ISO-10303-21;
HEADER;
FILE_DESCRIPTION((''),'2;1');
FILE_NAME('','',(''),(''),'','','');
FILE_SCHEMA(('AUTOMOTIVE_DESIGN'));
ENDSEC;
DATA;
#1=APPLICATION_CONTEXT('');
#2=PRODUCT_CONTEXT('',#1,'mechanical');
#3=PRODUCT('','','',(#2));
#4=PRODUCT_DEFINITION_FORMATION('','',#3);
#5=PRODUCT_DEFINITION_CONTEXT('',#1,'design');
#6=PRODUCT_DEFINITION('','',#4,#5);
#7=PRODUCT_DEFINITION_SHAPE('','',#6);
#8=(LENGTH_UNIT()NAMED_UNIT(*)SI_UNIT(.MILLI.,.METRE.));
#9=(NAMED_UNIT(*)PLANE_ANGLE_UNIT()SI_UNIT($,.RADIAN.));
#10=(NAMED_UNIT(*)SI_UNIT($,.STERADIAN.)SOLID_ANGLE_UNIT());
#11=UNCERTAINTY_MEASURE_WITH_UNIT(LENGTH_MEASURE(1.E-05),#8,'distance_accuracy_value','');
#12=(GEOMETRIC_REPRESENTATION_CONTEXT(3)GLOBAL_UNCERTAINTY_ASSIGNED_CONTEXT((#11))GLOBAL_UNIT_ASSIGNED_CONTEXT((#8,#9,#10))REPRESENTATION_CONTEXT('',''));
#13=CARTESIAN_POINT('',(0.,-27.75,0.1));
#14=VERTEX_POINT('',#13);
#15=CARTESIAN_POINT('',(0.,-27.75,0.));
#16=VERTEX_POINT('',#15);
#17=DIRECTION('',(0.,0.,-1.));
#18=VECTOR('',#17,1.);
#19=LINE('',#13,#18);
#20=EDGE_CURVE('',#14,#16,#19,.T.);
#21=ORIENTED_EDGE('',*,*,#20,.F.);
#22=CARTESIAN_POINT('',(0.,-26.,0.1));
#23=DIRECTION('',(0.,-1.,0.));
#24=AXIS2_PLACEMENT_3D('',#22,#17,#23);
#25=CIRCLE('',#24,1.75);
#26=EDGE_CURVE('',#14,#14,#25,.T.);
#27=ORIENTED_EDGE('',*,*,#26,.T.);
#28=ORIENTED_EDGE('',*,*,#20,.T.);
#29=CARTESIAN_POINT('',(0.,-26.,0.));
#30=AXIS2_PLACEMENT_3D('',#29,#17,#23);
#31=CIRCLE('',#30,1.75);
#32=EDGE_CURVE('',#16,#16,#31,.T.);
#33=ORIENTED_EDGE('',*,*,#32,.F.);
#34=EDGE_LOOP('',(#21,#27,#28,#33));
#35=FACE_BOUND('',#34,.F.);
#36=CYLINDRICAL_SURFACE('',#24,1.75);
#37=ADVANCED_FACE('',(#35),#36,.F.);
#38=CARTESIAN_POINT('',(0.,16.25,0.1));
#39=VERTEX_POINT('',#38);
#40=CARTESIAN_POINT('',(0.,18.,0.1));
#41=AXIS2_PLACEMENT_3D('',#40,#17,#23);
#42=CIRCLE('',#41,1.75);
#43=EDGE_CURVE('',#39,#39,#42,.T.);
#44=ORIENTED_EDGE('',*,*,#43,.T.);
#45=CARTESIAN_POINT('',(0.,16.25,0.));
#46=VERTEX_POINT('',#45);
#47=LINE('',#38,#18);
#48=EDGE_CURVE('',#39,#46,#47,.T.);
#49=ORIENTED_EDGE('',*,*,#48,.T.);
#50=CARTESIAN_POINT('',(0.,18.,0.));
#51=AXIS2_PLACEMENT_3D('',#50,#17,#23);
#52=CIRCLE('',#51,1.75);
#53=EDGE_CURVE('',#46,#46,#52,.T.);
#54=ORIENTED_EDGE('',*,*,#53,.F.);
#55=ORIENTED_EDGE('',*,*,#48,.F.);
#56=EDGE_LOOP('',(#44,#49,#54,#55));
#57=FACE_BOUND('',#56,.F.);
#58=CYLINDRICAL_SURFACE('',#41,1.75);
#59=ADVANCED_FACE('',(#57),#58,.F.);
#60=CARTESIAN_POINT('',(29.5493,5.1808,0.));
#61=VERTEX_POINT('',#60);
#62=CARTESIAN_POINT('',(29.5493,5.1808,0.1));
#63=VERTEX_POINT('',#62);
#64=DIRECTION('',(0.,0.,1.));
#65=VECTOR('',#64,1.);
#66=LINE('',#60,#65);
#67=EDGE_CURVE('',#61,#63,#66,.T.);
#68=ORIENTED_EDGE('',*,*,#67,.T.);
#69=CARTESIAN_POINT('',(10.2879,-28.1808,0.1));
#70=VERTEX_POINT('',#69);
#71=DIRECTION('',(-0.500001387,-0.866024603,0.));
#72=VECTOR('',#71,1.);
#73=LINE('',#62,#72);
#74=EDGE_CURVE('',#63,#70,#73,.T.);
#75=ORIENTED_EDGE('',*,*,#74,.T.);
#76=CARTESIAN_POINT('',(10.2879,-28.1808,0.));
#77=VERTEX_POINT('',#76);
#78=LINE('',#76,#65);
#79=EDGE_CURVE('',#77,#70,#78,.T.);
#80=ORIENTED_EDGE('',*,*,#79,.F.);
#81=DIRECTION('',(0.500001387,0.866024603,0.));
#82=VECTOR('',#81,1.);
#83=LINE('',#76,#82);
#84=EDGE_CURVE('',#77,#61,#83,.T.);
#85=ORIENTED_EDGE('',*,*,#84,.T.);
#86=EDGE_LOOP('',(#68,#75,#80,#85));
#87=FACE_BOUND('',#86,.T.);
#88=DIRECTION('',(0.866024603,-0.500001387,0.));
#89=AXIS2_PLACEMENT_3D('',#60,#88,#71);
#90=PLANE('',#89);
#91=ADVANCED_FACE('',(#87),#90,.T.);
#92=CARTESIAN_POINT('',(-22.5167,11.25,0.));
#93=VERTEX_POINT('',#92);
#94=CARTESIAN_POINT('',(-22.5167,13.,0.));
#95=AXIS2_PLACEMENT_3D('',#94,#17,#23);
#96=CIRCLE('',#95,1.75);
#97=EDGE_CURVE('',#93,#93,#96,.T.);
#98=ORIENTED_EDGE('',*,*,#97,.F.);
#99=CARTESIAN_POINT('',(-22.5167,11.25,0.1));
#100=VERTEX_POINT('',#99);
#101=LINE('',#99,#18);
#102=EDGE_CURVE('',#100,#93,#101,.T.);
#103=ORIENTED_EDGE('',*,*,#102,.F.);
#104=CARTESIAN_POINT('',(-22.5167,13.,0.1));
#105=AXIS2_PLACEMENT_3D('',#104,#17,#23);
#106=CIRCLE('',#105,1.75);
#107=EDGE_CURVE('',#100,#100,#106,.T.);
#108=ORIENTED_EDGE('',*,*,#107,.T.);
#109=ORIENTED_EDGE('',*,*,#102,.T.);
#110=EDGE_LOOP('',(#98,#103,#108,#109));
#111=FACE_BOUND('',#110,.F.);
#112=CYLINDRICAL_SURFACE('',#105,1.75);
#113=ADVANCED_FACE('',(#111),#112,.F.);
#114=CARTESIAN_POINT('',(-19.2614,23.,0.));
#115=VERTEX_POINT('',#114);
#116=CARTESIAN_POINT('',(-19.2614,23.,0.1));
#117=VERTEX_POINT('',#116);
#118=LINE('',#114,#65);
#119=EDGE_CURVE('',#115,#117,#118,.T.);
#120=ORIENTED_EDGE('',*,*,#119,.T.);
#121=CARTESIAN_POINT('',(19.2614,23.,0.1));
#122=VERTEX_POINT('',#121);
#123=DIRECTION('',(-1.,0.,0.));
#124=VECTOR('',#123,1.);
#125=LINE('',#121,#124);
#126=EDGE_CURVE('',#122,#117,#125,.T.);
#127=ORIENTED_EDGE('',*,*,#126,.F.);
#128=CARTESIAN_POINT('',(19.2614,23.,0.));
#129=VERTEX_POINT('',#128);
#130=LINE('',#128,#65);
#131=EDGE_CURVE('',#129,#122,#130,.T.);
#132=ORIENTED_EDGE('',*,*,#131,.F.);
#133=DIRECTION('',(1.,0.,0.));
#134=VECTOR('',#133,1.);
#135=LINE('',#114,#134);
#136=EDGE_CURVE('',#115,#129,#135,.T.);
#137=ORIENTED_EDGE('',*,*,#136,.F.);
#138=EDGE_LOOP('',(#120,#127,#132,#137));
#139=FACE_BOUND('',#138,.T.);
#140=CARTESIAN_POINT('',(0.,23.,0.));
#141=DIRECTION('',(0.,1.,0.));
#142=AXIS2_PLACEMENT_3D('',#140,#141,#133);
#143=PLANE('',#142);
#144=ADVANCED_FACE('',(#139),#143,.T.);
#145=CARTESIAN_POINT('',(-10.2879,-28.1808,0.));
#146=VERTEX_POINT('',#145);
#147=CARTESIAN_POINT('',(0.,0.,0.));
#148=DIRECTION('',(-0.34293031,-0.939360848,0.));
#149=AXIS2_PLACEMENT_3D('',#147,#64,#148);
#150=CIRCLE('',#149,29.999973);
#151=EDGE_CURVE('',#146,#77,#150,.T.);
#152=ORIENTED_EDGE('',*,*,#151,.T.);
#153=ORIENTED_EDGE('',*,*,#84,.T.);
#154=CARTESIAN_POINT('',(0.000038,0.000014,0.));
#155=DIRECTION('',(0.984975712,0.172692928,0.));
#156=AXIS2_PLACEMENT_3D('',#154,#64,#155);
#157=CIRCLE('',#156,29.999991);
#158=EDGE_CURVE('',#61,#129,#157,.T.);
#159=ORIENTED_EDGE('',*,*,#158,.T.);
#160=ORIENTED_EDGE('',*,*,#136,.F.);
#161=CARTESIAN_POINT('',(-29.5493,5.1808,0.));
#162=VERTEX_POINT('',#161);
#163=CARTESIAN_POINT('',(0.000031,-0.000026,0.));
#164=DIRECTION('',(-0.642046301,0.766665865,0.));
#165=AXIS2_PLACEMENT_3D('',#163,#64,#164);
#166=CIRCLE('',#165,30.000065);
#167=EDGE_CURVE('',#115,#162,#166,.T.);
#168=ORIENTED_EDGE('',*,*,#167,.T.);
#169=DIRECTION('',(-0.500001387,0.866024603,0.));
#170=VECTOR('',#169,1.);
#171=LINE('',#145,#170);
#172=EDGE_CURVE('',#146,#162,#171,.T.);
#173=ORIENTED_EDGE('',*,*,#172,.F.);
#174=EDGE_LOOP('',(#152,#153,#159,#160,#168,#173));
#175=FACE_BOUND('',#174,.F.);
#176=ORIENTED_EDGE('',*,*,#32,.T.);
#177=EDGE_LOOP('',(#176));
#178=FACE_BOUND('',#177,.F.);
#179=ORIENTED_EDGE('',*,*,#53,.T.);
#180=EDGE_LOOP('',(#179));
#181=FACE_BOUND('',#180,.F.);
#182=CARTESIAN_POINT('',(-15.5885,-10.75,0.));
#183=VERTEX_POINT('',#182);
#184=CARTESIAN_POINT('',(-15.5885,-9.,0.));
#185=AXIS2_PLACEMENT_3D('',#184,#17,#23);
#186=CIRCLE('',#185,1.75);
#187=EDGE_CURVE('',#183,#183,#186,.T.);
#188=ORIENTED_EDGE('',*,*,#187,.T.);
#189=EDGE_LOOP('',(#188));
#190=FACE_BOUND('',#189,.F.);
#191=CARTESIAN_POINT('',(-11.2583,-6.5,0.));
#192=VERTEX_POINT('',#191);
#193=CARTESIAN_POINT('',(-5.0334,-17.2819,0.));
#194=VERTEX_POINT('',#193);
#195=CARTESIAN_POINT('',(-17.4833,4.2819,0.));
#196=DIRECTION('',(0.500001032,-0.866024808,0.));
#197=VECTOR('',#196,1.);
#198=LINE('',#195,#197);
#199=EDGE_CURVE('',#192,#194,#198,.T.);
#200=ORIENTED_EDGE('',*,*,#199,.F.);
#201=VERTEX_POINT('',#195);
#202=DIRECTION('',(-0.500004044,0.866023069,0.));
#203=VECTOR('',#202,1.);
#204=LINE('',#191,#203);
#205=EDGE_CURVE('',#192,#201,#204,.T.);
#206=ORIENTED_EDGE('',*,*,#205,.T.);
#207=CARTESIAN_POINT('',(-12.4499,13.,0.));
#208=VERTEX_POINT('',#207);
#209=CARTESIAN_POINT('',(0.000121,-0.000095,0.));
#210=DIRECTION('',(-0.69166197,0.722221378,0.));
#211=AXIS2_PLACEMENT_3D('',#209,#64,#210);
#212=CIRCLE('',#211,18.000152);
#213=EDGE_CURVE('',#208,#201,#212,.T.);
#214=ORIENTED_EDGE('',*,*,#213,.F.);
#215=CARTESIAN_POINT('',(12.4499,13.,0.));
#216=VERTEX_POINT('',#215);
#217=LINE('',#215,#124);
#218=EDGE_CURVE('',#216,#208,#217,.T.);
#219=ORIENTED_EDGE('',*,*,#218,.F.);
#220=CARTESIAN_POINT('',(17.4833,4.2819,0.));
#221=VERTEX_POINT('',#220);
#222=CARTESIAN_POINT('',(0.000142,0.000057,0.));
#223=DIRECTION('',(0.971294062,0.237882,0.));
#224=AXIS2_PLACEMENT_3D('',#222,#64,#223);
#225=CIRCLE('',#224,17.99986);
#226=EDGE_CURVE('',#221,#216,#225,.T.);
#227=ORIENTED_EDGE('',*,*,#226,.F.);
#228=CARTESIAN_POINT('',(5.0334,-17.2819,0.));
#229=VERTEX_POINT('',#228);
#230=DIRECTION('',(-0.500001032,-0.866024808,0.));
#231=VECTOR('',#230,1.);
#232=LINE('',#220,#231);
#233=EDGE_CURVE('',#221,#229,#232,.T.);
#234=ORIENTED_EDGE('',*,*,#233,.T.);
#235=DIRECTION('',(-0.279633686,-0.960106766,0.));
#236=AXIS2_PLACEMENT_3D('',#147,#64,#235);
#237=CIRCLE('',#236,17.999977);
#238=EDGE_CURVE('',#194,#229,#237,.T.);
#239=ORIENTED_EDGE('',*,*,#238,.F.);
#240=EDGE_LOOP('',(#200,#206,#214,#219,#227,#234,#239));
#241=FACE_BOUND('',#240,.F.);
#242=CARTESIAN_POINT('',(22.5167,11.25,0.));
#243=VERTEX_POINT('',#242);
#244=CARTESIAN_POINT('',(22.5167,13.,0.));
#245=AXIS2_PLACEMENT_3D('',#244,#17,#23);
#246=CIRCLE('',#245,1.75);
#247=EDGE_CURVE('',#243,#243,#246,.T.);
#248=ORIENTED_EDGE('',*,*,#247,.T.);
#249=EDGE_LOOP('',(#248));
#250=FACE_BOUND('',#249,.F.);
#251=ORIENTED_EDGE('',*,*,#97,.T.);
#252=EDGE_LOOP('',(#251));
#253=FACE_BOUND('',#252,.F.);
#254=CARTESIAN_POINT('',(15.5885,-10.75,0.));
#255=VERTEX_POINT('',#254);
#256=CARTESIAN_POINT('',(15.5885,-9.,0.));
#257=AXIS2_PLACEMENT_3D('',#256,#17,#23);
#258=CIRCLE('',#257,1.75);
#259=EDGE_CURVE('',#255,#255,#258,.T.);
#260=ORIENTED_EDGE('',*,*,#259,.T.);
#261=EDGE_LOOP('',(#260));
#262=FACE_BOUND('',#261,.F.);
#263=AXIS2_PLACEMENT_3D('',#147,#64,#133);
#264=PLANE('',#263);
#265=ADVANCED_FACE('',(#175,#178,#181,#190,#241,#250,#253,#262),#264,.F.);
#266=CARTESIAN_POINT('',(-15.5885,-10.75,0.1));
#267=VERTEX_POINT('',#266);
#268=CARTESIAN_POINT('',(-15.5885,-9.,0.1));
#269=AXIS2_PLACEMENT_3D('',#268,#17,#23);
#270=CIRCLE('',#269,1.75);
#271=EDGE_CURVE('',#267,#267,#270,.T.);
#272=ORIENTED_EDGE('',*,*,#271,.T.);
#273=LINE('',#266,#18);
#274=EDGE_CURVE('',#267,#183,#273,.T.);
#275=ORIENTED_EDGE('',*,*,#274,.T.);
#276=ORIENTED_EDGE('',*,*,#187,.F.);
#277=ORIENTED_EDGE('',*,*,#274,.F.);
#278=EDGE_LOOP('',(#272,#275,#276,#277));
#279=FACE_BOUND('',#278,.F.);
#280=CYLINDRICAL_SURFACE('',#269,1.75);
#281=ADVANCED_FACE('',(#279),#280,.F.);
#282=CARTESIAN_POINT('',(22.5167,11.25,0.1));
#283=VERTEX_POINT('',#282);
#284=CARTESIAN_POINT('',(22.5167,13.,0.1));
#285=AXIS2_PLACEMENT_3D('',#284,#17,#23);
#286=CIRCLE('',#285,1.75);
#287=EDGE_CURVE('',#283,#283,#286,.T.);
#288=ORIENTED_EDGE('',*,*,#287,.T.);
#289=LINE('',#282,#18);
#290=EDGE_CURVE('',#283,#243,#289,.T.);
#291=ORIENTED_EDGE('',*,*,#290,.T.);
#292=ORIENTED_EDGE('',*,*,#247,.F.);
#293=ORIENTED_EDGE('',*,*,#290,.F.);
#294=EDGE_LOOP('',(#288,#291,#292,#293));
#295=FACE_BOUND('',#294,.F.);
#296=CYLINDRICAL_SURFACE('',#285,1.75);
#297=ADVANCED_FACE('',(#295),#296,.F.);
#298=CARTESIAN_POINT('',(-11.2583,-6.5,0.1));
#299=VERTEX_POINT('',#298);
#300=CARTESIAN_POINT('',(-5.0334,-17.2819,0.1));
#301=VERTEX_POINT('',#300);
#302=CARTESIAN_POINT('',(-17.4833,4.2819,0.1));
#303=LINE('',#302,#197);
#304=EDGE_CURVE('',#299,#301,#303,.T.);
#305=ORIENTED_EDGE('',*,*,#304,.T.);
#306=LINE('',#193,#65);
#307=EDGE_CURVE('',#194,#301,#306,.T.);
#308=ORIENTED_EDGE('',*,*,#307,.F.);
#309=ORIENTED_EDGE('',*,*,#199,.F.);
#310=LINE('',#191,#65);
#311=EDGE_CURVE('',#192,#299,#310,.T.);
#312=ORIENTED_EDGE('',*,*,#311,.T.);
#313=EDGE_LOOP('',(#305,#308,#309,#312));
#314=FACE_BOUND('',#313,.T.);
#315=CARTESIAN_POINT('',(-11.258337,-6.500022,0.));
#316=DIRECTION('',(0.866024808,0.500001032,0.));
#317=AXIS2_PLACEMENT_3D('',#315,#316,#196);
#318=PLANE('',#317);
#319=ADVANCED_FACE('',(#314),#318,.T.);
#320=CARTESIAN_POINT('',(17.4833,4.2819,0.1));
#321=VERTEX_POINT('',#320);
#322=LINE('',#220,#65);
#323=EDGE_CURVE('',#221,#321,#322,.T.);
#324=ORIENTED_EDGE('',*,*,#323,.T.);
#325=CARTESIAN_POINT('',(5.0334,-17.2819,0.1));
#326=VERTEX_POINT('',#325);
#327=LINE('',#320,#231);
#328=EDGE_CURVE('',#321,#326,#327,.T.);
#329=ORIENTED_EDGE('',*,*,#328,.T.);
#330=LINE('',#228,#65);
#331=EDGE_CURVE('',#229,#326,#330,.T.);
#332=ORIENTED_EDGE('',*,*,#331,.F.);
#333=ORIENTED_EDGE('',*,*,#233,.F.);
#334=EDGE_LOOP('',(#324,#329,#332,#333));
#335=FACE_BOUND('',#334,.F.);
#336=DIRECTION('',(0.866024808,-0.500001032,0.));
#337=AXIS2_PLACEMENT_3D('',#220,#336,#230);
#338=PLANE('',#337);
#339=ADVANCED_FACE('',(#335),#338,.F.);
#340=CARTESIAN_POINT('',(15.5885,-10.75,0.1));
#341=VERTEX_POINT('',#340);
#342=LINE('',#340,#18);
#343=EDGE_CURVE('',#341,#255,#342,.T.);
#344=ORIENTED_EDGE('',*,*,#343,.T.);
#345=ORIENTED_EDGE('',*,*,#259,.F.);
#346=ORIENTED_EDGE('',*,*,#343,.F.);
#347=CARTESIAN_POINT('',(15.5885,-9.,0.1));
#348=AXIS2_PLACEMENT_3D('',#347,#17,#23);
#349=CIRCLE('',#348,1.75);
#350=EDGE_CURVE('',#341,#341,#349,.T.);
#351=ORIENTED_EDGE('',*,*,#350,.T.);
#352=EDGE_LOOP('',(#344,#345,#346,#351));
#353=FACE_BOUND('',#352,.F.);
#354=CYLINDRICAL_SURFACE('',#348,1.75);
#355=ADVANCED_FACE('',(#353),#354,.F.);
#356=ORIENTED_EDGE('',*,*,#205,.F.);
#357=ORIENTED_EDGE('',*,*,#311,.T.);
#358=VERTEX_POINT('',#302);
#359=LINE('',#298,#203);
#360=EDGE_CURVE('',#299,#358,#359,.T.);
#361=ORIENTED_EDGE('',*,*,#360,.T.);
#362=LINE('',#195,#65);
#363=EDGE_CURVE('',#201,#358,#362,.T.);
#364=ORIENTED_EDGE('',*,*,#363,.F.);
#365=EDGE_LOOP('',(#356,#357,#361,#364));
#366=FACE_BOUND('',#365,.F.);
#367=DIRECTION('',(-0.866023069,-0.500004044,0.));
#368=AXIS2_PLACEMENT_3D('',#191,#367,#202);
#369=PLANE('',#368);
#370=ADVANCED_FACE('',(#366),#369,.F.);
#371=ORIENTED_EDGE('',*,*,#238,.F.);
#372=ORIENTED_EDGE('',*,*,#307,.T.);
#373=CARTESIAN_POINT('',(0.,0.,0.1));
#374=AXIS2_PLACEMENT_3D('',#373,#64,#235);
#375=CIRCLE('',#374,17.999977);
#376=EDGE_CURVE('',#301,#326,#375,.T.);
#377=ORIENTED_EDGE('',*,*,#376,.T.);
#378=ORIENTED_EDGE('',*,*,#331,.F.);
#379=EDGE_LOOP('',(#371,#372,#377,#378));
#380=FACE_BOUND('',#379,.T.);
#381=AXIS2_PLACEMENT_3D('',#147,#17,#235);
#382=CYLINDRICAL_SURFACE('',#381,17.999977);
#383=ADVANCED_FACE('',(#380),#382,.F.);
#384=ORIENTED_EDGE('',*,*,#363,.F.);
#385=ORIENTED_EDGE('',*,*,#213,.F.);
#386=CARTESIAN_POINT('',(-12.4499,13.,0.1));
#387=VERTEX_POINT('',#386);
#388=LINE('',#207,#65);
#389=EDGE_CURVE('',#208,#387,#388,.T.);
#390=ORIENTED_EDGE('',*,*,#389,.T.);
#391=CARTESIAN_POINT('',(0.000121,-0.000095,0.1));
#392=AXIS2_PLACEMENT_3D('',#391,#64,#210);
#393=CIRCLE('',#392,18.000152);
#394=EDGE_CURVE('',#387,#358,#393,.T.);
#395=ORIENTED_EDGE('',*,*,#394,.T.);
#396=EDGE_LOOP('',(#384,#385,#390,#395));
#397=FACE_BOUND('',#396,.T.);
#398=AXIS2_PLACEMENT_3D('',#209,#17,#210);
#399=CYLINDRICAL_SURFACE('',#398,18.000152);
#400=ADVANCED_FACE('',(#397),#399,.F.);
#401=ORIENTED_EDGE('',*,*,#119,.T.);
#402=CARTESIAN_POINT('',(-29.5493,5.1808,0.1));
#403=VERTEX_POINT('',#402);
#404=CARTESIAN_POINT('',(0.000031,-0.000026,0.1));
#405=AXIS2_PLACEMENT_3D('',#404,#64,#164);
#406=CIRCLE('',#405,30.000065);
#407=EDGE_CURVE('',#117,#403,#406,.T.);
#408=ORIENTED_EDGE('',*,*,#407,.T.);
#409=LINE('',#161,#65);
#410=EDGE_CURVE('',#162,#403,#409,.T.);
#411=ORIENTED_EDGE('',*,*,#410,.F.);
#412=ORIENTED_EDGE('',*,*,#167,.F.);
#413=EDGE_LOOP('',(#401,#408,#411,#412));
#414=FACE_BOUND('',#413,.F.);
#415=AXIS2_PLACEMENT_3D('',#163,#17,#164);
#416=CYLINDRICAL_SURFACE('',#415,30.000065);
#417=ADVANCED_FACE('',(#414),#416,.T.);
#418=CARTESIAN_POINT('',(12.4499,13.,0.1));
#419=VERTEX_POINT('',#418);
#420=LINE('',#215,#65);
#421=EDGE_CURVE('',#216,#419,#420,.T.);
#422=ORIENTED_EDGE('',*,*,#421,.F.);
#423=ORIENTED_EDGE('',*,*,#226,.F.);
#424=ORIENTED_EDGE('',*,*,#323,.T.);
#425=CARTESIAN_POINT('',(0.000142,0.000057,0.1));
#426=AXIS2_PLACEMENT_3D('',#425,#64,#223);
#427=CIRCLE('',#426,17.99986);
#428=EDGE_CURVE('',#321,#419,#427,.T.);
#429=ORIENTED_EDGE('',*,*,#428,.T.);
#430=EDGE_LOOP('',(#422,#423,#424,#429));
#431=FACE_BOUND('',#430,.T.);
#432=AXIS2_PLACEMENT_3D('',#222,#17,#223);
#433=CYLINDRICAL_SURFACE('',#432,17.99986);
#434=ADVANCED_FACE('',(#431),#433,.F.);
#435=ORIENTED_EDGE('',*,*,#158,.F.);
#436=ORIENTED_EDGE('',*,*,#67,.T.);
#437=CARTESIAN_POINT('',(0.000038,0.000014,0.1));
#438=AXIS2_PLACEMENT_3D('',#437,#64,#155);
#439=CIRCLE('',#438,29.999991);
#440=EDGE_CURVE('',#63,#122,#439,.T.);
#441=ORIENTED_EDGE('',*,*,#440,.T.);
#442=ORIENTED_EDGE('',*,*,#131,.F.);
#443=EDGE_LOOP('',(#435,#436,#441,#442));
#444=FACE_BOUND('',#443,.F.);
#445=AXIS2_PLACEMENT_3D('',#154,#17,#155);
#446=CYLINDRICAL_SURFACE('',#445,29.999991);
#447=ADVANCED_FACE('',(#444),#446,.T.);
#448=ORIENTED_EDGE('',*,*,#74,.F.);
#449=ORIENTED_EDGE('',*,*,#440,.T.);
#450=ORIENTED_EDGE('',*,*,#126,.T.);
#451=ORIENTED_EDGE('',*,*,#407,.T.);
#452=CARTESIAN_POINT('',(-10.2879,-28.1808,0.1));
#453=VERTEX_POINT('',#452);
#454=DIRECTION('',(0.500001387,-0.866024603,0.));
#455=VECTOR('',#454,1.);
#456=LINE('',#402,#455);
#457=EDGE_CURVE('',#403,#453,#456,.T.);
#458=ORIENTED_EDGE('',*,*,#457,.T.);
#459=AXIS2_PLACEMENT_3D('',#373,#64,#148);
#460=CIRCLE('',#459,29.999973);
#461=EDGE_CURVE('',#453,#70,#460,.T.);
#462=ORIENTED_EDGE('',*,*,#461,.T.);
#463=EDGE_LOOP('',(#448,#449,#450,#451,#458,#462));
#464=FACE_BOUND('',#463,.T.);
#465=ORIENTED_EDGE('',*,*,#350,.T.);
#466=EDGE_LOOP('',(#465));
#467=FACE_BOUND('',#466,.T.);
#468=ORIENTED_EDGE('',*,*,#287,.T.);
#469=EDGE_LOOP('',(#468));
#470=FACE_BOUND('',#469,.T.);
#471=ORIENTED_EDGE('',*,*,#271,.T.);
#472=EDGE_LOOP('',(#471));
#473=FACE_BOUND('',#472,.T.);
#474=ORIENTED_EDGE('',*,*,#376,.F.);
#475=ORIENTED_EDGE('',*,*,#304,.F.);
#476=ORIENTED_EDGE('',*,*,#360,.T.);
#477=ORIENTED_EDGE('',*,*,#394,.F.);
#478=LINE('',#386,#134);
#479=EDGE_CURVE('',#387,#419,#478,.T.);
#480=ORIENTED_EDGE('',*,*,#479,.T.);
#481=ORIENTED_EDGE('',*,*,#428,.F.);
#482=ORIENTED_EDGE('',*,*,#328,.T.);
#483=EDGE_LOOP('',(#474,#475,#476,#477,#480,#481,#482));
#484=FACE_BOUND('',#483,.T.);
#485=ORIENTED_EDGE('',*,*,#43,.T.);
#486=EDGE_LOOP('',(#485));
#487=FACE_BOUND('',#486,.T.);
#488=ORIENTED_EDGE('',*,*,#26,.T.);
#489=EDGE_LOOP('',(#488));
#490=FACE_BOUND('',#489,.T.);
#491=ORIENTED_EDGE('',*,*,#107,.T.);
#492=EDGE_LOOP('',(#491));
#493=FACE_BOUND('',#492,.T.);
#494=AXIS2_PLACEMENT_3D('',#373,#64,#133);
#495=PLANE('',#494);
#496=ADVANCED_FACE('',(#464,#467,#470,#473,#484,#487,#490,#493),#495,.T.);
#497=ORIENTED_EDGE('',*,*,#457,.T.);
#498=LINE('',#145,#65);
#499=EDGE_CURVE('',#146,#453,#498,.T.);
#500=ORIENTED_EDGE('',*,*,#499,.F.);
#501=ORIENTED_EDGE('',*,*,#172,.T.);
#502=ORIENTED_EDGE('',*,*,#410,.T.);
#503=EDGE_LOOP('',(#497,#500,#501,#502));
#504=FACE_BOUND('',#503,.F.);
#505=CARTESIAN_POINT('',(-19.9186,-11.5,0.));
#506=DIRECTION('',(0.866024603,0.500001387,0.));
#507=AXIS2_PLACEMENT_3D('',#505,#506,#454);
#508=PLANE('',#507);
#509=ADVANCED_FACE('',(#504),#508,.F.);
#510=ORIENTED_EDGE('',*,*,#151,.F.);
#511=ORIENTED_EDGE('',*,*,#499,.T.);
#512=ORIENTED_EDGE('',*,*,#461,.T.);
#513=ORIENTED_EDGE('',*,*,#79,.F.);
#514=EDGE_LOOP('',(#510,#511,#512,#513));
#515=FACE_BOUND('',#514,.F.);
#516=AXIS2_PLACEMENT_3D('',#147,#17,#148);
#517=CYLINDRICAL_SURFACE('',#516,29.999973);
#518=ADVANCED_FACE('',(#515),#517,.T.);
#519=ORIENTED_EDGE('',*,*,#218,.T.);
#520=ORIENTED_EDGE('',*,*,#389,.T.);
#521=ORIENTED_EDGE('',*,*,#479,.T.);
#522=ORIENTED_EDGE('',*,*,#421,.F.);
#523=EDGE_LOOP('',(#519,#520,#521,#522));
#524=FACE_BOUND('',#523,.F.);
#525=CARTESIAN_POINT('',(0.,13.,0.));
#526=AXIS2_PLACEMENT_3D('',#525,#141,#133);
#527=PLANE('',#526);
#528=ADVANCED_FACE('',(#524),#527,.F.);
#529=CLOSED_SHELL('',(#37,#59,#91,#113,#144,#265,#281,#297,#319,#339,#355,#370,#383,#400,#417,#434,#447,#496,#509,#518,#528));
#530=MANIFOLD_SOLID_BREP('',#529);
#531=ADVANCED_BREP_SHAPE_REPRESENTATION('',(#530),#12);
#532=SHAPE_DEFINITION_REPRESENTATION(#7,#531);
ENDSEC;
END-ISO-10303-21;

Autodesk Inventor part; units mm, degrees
ref_plane "YZ Plane" through (0, 0, 0) normal (1, 0, 0) x (0, 1, 0)
ref_plane "XZ Plane" through (0, 0, 0) normal (0, 1, 0) x (-1, 0, 0)
ref_plane "XY Plane" through (0, 0, 0) normal (0, 0, 1) x (1, 0, 0)
sketch "スケッチ1" plane through (0, 0, 0) normal (0, 0, 1) x (1, 0, 0)
  arc A0 (29.5493, 5.1808) -> (19.2614, 23) centre (0, 0) ccw
  arc A1 (-19.2614, 23) -> (-29.5493, 5.1808) centre (0, 0) ccw
  arc A2 (-10.2879, -28.1808) -> (10.2879, -28.1808) centre (0, 0) ccw
  line L0 (29.5493, 5.1808) -> (10.2879, -28.1808)
  line L1 (0, 23) -> (19.2614, 23)
  line L2 (19.9186, -11.5) -> (29.5493, 5.1808)
  line L3 (-19.9186, -11.5) -> (-29.5493, 5.1808)
  line L4 (19.2614, 23) -> (-19.2614, 23)
  line L5 (-29.5493, 5.1808) -> (-10.2879, -28.1808)
  arc A3 (17.4833, 4.2819) -> (12.4499, 13) centre (0, 0) ccw
  arc A4 (-12.4499, 13) -> (-17.4833, 4.2819) centre (0, 0) ccw
  arc A5 (-5.0334, -17.2819) -> (5.0334, -17.2819) centre (0, 0) ccw
  line L6 (0, 13) -> (12.4499, 13)
  line L7 (17.4833, 4.2819) -> (5.0334, -17.2819)
  line L8 (-11.2583, -6.5) -> (-17.4833, 4.2819)
  line L9 (0, 13) -> (-12.4499, 13)
  line L10 (-17.4833, 4.2819) -> (-5.0334, -17.2819)
  point P0 (11.2583, -6.5)
  dimension "d10" = 360
  dimension "d6" = 23
extrude "押し出し1" add sketch "スケッチ1" along normal blind 0.1
sketch "スケッチ2" plane through (0, 0, 0.1) normal (0, 0, 1) x (1, 0, 0)
  point P0 (0, 0)
  point P1 (0, 18)
  point P2 (0, 0)
  point P3 (-15.5885, -9)
  point P4 (0, 0)
  point P5 (15.5885, -9)
  point P6 (0, -26)
  point P7 (22.5167, 13)
  point P8 (-22.5167, 13)
  dimension "d15" = 18
  dimension "d18" = 360
  dimension "d20" = 26
  dimension "d23" = 360
hole "穴1" at (0, 18, 0.1) at (-15.5885, -9, 0.1) at (15.5885, -9, 0.1) at (0, -26, 0.1) at (22.5167, 13, 0.1) at (-22.5167, 13, 0.1) direction (0, 0, -1) diameter 3.5 end through all
properties part number "スプリングフランジ"
